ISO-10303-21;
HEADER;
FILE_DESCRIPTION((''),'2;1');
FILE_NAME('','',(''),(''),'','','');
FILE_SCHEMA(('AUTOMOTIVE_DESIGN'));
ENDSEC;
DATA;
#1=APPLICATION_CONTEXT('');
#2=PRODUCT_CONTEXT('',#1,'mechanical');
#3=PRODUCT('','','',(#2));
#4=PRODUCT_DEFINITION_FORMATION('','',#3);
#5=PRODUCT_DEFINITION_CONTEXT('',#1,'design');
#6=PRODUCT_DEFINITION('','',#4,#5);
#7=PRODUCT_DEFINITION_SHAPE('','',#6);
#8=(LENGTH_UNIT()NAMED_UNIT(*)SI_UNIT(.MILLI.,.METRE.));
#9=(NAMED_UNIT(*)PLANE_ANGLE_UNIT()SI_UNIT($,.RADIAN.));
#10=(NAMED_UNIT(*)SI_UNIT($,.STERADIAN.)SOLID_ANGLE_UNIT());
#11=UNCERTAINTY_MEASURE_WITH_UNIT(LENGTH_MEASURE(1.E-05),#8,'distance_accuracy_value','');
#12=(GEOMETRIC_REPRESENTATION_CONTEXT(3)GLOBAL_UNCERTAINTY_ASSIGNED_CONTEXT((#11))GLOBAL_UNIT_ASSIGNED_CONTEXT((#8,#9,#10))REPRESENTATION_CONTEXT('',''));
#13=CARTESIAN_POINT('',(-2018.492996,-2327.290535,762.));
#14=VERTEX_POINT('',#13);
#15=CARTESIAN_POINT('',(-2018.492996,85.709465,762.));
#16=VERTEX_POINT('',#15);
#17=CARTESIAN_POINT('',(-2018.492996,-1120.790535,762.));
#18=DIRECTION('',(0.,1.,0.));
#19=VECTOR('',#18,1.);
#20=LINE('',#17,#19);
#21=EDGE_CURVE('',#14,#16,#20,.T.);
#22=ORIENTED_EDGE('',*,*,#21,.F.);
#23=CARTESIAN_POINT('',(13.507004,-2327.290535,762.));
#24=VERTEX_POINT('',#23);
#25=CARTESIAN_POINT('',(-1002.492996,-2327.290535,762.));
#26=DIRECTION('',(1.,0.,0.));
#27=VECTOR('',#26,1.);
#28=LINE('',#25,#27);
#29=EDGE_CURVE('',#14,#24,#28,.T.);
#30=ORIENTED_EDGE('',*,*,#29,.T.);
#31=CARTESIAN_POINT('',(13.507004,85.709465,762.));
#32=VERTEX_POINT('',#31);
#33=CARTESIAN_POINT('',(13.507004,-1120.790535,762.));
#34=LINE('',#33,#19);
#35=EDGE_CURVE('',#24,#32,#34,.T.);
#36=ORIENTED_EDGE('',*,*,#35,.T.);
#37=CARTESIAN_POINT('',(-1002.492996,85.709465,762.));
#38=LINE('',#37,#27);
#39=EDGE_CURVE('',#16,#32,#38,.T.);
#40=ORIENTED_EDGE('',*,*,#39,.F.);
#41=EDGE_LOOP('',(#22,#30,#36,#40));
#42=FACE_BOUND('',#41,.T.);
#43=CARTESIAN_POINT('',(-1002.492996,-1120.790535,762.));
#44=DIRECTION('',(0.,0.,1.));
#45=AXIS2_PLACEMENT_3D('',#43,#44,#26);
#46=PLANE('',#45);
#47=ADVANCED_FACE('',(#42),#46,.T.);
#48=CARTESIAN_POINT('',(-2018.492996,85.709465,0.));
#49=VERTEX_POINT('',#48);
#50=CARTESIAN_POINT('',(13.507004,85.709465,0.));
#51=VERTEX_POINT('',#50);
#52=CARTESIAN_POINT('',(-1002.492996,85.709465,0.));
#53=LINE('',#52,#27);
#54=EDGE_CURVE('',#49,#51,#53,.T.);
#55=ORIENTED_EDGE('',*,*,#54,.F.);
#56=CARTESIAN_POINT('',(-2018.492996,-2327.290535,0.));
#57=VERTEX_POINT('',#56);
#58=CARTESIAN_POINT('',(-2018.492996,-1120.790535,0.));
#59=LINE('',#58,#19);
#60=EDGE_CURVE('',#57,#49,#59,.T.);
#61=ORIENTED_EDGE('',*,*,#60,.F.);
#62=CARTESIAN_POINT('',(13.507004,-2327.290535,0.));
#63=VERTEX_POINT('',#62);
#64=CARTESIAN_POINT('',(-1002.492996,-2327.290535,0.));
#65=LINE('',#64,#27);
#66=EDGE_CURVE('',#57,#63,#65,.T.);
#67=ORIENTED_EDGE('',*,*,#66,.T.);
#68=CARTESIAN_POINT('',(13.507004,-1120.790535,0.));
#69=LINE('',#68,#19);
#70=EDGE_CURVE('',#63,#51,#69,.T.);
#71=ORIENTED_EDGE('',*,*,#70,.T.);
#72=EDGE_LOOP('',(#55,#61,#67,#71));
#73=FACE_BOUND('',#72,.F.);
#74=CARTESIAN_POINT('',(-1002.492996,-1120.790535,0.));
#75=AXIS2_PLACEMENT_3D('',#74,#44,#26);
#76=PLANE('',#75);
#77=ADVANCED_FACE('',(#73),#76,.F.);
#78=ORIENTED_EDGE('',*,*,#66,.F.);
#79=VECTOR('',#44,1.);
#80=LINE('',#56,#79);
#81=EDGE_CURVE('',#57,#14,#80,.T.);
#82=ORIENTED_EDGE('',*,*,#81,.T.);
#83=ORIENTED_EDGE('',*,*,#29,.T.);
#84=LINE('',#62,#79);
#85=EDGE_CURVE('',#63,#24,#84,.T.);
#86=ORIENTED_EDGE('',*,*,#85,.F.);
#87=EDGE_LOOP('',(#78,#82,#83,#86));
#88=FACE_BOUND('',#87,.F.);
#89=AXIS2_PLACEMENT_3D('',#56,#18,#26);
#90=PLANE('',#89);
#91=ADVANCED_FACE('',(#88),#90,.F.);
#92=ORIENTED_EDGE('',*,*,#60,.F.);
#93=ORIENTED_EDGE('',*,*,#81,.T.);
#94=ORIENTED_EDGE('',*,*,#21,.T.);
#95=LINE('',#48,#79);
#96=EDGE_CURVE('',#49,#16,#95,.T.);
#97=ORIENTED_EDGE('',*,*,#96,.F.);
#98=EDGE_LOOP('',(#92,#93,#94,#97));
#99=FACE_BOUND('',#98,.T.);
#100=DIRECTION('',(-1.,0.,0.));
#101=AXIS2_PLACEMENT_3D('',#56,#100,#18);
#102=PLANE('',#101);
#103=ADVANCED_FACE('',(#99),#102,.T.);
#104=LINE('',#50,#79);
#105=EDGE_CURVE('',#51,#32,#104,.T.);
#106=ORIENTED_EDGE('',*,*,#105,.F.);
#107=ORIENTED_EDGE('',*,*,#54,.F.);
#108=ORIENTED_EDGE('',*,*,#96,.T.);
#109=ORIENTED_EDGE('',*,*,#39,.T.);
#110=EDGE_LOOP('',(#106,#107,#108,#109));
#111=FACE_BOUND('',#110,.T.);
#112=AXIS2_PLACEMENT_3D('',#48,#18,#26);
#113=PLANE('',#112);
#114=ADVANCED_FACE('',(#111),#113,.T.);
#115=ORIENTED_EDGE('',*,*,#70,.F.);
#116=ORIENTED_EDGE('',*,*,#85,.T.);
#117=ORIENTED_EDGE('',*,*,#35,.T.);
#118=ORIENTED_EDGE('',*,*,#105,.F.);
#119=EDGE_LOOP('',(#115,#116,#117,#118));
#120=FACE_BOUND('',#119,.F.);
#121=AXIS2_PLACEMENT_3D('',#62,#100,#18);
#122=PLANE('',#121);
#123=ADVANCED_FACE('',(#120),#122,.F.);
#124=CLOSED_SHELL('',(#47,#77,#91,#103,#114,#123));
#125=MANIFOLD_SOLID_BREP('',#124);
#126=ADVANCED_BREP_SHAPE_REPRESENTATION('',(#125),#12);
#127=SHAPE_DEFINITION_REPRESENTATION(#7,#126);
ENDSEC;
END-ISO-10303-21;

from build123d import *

# Parameters (mm, degrees)
F2_W     = 2032
F2_H     = 2413
F3_DEPTH = 762


with BuildPart() as f3:
    # F2 (on face) → F3 (new body)
    with BuildSketch(Plane.XY):
        with Locations((-1002.492996, -1120.790535)):
            Rectangle(F2_W, F2_H)
    extrude(amount=F3_DEPTH)


solid = f3.part
